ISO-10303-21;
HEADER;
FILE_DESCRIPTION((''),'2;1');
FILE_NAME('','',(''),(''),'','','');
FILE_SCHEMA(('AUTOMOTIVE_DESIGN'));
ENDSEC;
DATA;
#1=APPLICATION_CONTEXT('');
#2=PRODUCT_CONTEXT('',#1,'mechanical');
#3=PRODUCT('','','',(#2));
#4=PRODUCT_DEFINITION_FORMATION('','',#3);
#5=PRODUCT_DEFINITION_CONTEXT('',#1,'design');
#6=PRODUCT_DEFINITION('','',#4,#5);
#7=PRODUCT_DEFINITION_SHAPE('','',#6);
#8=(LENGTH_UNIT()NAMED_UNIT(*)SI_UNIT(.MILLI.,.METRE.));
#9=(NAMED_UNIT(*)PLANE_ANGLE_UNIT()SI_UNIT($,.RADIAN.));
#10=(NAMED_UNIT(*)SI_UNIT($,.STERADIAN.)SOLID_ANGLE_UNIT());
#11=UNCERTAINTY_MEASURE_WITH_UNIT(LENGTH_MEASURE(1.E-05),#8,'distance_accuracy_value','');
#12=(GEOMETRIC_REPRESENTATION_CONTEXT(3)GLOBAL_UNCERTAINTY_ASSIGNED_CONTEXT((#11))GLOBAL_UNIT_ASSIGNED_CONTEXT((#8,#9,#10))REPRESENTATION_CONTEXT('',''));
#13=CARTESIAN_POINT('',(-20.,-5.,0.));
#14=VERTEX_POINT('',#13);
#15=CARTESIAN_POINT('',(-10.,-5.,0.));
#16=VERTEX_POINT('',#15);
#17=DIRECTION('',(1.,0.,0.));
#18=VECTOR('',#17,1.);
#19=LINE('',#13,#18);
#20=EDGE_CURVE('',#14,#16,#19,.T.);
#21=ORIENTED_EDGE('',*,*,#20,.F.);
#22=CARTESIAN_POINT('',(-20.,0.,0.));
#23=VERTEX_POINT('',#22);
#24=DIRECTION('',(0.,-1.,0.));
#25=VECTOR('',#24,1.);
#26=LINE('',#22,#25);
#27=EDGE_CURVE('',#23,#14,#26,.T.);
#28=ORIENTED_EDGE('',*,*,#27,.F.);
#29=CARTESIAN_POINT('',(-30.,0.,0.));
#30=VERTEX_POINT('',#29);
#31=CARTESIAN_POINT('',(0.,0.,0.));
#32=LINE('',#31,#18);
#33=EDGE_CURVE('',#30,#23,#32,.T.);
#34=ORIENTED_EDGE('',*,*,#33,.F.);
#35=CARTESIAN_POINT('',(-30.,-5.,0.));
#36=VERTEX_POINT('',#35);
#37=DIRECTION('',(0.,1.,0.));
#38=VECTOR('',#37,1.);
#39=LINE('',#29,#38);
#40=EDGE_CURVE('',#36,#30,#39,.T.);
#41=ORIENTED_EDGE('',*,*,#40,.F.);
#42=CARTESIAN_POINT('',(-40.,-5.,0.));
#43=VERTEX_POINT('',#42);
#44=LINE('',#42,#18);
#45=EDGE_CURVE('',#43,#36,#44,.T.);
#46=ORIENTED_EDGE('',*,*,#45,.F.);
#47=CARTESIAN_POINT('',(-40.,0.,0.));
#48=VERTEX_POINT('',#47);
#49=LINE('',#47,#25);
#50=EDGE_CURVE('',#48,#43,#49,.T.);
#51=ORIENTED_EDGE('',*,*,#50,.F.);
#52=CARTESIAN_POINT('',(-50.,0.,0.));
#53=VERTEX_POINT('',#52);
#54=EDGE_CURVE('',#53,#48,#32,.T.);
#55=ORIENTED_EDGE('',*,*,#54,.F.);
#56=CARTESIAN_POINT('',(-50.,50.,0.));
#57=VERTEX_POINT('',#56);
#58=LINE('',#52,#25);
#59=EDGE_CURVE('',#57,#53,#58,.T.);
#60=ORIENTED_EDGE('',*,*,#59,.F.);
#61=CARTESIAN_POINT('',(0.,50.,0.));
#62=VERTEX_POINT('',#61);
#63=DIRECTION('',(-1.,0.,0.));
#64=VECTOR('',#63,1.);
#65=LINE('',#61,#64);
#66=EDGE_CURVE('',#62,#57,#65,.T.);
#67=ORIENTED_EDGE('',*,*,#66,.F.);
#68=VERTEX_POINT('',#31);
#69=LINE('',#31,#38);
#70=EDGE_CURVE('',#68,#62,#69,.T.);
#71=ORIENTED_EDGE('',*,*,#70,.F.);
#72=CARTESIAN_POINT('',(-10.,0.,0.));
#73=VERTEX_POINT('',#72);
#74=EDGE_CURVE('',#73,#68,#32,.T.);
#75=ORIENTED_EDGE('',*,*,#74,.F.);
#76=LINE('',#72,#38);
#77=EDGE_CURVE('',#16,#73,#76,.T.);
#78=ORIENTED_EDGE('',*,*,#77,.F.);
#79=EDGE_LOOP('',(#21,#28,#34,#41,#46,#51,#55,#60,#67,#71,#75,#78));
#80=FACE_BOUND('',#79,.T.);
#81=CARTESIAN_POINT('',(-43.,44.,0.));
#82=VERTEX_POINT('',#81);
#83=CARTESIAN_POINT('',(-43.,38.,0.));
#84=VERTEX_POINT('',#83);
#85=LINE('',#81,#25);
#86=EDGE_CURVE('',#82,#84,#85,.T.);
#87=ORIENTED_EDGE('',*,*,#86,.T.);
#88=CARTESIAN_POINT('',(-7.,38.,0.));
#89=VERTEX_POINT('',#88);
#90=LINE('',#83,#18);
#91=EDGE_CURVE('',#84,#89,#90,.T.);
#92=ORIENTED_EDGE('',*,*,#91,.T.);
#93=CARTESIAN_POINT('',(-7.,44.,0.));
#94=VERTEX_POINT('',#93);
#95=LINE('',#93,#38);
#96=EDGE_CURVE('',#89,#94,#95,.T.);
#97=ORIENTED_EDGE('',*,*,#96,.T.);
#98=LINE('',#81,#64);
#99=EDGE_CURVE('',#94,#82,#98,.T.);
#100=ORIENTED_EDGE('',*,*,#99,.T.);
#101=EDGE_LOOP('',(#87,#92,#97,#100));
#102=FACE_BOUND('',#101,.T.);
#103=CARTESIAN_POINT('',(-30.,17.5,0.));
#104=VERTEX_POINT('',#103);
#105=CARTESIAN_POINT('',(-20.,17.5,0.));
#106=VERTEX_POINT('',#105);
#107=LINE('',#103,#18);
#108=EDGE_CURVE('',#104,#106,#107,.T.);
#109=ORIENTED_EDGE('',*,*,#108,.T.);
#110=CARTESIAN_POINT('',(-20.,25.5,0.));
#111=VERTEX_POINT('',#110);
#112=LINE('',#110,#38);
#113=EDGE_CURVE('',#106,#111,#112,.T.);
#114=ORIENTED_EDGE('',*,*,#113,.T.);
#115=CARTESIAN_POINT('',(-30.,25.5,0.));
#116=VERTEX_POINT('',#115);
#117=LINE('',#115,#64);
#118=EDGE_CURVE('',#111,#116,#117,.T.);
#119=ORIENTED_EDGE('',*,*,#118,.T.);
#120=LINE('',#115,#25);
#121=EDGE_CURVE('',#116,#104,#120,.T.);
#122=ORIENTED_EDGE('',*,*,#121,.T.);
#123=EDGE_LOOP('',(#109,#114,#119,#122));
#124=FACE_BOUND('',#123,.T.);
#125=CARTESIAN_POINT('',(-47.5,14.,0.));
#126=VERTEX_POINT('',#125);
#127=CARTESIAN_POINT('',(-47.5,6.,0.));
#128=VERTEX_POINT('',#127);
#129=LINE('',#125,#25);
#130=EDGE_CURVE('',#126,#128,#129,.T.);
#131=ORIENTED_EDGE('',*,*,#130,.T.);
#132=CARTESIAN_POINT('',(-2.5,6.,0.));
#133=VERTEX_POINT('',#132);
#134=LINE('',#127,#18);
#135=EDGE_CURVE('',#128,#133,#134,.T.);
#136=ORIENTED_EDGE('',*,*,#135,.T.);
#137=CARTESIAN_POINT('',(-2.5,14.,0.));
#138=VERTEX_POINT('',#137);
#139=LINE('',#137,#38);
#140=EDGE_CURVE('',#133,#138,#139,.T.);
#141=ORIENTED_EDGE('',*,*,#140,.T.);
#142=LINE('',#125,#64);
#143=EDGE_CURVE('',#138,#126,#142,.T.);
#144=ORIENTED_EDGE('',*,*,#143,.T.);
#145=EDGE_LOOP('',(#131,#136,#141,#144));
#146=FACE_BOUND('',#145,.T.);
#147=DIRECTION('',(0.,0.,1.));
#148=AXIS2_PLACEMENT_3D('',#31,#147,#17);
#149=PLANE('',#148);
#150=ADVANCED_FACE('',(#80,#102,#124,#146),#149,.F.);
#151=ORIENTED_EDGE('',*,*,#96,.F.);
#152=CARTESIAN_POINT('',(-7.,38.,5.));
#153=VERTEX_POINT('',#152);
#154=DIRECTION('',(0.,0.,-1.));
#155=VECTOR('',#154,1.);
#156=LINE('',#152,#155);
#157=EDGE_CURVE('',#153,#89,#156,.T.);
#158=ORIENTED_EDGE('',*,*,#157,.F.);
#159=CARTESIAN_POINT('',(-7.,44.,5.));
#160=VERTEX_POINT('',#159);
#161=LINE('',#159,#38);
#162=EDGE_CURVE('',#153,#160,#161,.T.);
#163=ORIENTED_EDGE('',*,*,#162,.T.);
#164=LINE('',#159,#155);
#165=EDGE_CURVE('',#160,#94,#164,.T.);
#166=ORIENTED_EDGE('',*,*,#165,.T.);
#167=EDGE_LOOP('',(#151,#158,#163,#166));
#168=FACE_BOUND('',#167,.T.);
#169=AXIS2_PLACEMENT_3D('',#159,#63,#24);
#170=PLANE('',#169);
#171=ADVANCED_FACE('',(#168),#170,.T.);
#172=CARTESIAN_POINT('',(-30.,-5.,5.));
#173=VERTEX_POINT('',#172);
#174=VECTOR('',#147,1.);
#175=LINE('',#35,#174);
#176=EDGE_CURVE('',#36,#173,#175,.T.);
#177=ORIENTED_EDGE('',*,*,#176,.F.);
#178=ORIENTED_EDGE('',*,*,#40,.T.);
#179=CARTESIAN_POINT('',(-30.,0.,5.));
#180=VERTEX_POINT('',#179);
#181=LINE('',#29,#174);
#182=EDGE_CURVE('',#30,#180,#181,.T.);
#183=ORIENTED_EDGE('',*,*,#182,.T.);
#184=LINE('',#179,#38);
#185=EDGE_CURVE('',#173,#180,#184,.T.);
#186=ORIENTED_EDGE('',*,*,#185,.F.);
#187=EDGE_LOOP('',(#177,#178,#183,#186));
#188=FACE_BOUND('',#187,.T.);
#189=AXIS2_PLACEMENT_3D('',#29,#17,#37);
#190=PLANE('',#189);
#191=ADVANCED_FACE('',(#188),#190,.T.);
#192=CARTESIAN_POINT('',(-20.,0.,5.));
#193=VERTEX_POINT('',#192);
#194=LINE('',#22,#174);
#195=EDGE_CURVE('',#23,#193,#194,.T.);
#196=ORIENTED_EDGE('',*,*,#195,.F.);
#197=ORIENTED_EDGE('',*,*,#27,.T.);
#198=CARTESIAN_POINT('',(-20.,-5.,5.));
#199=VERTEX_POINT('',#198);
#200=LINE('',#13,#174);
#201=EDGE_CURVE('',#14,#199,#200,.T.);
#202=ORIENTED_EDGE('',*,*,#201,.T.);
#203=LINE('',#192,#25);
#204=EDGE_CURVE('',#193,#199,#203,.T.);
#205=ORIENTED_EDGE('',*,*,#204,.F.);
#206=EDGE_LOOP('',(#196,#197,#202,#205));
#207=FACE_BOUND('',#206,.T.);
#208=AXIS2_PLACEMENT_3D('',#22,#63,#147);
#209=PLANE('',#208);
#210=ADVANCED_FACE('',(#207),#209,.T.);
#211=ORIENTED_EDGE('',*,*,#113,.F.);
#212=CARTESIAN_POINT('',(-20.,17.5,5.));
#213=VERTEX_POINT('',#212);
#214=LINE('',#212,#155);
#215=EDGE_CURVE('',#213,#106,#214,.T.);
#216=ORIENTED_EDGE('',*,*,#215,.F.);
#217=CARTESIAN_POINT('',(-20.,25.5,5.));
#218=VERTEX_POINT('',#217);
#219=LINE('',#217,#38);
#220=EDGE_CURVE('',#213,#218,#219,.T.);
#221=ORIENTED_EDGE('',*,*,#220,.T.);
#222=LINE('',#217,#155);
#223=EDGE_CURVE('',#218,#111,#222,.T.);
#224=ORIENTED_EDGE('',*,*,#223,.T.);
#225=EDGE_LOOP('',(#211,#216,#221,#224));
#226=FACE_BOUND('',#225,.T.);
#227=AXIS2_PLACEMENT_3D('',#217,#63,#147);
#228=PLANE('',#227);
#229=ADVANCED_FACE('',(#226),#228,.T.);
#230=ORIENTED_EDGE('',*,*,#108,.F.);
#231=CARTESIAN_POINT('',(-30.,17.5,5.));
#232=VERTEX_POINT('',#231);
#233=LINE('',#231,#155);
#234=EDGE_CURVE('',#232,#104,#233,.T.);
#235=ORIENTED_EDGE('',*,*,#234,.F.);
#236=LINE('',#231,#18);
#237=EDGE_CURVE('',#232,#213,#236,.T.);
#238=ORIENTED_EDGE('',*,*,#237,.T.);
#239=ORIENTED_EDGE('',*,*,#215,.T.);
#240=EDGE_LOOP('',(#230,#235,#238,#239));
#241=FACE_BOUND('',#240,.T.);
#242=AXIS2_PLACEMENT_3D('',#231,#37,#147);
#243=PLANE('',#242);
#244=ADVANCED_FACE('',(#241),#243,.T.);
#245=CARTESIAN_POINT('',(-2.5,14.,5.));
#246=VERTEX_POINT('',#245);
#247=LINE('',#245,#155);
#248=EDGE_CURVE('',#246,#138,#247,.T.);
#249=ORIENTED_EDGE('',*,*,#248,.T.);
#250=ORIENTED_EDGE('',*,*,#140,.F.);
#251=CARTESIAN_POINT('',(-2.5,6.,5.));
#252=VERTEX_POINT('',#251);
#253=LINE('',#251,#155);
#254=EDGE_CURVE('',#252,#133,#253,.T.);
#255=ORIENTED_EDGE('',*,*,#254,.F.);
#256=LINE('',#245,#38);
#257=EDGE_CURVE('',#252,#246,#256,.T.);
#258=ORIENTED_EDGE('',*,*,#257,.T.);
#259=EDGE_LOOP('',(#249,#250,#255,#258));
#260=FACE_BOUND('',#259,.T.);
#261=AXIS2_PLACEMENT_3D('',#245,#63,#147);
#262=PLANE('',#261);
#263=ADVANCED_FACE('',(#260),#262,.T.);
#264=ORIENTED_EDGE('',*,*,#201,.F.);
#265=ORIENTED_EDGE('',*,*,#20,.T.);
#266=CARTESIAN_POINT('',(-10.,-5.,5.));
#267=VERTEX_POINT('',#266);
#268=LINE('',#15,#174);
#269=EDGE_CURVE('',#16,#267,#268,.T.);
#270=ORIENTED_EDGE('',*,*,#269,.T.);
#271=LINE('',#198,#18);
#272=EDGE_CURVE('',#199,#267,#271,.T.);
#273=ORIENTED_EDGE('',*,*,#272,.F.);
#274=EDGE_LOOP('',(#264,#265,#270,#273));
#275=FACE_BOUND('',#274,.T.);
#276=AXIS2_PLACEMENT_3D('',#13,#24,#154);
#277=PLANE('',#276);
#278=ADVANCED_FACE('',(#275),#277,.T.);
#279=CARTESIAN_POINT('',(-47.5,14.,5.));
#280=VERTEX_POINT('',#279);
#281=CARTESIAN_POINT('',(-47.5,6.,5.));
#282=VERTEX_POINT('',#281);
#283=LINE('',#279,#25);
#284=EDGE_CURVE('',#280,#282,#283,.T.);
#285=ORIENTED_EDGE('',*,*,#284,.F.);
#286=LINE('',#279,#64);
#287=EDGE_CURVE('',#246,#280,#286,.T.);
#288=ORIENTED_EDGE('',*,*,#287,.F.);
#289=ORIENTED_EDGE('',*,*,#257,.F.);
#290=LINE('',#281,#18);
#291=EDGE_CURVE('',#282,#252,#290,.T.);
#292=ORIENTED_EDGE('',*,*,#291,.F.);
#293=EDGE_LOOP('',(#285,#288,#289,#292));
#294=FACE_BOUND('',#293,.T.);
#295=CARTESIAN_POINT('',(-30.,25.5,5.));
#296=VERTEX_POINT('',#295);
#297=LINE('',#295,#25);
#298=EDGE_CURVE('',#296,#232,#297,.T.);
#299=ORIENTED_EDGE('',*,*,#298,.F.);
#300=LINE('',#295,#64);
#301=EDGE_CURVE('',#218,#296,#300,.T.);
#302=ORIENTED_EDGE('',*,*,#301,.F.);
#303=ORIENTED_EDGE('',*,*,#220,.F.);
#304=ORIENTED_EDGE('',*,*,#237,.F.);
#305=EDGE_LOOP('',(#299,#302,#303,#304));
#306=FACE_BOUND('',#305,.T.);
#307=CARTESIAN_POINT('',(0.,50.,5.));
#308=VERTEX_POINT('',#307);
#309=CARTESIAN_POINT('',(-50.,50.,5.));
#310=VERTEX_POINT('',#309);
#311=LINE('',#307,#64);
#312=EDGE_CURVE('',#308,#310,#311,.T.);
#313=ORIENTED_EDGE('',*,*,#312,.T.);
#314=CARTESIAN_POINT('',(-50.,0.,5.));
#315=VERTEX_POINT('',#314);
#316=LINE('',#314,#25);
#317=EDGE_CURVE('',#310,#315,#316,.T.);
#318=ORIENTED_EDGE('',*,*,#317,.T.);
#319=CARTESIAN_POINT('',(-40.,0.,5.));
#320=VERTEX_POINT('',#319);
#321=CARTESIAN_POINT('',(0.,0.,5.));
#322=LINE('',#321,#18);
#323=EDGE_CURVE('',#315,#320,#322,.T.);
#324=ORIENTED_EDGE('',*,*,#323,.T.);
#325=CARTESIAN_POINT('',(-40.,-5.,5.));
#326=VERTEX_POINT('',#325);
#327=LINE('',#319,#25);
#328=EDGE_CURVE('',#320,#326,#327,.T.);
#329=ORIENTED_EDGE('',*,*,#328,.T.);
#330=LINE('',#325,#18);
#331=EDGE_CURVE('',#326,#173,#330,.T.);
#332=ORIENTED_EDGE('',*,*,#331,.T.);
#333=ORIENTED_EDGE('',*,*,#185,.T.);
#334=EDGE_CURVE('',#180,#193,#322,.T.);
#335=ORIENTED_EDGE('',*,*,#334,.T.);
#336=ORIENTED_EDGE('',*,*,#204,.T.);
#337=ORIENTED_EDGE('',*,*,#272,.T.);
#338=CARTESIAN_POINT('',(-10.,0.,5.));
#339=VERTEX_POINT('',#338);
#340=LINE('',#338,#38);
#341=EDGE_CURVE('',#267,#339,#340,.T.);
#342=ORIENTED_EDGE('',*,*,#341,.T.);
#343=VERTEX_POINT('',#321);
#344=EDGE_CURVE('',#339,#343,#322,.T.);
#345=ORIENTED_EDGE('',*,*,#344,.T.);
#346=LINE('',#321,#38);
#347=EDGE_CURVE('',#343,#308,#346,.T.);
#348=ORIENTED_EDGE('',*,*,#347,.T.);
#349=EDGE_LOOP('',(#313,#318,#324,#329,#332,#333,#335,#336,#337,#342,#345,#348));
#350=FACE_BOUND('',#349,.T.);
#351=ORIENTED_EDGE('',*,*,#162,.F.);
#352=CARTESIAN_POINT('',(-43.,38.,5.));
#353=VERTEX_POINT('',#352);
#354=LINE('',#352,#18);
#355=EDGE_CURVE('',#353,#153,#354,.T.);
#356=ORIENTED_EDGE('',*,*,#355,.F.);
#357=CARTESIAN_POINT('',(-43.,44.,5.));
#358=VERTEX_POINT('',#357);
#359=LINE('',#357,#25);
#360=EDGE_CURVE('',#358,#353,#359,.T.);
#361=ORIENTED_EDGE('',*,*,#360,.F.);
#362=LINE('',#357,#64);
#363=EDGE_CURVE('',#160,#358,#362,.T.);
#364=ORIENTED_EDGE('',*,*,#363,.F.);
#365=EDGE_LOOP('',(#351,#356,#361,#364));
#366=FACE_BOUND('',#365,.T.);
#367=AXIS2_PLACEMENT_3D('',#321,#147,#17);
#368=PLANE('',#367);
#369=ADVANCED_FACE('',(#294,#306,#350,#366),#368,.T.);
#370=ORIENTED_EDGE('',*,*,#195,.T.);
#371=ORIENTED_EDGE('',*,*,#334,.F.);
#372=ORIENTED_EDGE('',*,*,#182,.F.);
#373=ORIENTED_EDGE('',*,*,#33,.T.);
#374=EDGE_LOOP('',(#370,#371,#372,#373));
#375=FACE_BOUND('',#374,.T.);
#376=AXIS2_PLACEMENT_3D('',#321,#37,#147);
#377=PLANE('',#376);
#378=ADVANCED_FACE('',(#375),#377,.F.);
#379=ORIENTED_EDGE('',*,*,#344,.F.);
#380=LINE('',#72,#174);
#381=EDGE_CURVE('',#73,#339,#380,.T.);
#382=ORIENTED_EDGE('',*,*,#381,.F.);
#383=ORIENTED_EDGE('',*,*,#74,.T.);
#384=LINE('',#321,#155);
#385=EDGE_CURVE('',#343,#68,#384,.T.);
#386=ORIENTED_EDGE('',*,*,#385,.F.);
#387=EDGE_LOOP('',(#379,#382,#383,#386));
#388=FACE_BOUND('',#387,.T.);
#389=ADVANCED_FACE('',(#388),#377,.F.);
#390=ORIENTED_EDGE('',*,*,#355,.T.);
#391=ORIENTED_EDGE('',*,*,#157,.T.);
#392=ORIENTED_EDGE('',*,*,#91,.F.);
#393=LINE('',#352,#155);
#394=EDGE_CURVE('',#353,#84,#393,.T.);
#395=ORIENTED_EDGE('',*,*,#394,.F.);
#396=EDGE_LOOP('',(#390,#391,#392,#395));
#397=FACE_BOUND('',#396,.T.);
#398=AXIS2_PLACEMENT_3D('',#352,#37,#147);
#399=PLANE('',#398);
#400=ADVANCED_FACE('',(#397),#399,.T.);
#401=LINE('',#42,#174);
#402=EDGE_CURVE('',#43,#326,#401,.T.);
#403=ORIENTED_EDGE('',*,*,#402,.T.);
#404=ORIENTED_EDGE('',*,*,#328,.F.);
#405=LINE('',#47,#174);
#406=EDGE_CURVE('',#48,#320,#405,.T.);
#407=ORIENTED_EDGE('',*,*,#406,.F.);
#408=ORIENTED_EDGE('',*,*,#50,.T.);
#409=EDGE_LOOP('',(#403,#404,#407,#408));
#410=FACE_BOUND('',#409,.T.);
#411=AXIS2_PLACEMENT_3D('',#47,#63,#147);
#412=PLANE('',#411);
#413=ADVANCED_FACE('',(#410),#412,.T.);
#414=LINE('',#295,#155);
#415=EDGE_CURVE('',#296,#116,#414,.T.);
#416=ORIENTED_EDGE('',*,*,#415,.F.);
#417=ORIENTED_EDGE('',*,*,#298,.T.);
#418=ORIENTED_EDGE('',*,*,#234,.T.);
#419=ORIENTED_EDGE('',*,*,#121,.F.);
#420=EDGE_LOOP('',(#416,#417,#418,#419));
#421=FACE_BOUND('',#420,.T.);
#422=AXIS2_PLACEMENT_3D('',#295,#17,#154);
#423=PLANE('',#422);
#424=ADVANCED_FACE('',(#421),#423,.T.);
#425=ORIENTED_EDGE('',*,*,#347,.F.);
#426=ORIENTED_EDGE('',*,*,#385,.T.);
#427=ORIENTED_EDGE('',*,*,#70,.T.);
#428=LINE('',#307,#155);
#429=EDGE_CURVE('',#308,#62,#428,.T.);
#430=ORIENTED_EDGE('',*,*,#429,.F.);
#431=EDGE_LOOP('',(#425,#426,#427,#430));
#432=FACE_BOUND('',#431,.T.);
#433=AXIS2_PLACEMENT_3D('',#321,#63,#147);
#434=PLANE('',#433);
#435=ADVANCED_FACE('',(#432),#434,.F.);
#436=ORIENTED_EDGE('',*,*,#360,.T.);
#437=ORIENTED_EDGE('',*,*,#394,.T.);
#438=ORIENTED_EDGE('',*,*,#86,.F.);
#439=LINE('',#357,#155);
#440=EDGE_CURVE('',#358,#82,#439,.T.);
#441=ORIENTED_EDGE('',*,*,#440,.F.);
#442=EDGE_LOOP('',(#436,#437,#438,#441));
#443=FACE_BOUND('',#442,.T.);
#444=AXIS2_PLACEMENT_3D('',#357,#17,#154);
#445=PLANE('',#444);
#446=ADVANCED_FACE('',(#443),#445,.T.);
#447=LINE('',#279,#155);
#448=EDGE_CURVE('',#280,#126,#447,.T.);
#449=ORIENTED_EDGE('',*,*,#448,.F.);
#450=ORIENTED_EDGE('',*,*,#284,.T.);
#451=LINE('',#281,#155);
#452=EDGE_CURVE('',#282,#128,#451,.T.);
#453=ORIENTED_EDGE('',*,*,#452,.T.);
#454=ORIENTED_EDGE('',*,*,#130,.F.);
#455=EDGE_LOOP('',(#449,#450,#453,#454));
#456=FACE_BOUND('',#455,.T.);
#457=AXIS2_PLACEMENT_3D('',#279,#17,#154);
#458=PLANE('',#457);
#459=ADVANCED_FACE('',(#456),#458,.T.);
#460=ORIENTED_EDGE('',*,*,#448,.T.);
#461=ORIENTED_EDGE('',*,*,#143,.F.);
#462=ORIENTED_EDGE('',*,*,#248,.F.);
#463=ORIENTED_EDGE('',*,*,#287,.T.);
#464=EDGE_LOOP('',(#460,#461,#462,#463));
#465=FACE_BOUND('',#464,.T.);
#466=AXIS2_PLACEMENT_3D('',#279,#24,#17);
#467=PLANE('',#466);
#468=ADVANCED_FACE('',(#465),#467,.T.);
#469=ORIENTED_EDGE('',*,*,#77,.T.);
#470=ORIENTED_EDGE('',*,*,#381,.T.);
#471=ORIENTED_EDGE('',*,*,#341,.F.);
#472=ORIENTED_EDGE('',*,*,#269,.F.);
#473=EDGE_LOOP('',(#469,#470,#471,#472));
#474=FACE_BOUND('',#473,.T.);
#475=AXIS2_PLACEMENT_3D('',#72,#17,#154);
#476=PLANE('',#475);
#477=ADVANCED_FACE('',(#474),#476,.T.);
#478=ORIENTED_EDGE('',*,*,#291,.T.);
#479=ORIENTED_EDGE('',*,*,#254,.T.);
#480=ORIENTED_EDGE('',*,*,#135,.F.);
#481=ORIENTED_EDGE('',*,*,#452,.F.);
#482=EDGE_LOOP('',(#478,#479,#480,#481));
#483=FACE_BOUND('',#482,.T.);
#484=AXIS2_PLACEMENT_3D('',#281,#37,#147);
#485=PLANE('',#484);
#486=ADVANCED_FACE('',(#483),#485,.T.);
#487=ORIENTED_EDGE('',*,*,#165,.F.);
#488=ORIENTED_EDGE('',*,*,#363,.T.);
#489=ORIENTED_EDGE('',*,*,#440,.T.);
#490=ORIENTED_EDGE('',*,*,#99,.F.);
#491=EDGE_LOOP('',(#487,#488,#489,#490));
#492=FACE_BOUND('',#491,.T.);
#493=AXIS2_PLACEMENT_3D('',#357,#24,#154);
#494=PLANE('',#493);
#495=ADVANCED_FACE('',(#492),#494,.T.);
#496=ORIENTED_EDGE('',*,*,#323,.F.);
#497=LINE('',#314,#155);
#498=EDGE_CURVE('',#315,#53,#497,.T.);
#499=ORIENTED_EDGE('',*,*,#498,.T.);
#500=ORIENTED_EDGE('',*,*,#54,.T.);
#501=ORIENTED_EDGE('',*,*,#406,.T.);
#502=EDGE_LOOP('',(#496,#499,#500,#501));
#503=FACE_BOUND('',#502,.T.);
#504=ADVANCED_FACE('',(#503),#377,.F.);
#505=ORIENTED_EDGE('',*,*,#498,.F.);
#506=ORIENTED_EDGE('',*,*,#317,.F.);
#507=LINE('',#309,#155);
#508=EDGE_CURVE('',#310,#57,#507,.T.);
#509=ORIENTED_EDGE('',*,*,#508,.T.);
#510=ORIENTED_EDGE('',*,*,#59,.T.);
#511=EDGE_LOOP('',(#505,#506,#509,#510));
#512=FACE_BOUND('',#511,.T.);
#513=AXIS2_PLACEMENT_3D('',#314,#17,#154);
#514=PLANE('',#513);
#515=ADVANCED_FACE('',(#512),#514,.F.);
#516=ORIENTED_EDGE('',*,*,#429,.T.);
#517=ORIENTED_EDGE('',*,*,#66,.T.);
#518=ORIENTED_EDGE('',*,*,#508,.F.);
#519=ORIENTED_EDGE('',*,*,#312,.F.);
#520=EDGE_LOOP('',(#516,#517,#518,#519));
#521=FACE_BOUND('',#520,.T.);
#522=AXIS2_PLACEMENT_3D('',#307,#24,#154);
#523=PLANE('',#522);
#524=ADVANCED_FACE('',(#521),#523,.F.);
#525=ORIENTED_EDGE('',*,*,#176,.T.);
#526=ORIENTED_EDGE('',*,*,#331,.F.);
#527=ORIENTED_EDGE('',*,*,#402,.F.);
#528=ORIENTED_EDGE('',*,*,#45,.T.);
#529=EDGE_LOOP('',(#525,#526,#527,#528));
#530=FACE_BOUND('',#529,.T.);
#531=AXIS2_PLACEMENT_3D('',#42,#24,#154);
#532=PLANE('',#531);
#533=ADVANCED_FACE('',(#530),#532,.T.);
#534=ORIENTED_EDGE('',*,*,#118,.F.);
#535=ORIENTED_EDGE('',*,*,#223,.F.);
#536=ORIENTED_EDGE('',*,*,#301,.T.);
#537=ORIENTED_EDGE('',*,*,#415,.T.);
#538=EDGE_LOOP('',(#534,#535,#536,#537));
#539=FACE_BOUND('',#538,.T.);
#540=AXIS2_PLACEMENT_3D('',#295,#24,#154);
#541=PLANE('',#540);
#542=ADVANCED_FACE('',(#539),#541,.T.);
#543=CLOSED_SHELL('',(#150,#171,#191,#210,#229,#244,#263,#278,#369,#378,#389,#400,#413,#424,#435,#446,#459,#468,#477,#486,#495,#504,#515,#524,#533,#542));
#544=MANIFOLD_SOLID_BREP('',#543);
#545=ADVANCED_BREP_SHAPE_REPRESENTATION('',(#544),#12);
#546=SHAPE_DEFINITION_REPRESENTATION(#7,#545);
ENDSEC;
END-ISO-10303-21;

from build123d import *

# Parameters (mm, degrees)
ESQUISSE1_W        = 50
ESQUISSE1_H        = 50
ESQUISSE1_W_2      = 36
ESQUISSE1_H_2      = 6
ESQUISSE1_W_3      = 10
ESQUISSE1_H_3      = 8
ESQUISSE1_W_4      = 45
BOSS_EXTRU_1_DEPTH = 5
ESQUISSE11_W       = 10
ESQUISSE11_H       = 5
BOSS_EXTRU_2_DEPTH = 5


with BuildPart() as part:
    # Esquisse1 → Boss.-Extru.1 (new body)
    with BuildSketch(Plane.XY):
        with Locations((-25, 25)):
            Rectangle(ESQUISSE1_W, ESQUISSE1_H)
        with Locations((-25, 41)):
            Rectangle(ESQUISSE1_W_2, ESQUISSE1_H_2, mode=Mode.SUBTRACT)
        with Locations((-25, 21.5)):
            Rectangle(ESQUISSE1_W_3, ESQUISSE1_H_3, mode=Mode.SUBTRACT)
        with Locations((-25, 10)):
            Rectangle(ESQUISSE1_W_4, ESQUISSE1_H_3, mode=Mode.SUBTRACT)
    extrude(amount=BOSS_EXTRU_1_DEPTH)

    # Esquisse11 → Boss.-Extru.2 (add)
    with BuildSketch(Plane.XY.offset(5)):
        with Locations((-35, -2.5)):
            Rectangle(ESQUISSE11_W, ESQUISSE11_H)
        with Locations((-15, -2.5)):
            Rectangle(ESQUISSE11_W, ESQUISSE11_H)
    extrude(amount=-BOSS_EXTRU_2_DEPTH)


solid = part.part
